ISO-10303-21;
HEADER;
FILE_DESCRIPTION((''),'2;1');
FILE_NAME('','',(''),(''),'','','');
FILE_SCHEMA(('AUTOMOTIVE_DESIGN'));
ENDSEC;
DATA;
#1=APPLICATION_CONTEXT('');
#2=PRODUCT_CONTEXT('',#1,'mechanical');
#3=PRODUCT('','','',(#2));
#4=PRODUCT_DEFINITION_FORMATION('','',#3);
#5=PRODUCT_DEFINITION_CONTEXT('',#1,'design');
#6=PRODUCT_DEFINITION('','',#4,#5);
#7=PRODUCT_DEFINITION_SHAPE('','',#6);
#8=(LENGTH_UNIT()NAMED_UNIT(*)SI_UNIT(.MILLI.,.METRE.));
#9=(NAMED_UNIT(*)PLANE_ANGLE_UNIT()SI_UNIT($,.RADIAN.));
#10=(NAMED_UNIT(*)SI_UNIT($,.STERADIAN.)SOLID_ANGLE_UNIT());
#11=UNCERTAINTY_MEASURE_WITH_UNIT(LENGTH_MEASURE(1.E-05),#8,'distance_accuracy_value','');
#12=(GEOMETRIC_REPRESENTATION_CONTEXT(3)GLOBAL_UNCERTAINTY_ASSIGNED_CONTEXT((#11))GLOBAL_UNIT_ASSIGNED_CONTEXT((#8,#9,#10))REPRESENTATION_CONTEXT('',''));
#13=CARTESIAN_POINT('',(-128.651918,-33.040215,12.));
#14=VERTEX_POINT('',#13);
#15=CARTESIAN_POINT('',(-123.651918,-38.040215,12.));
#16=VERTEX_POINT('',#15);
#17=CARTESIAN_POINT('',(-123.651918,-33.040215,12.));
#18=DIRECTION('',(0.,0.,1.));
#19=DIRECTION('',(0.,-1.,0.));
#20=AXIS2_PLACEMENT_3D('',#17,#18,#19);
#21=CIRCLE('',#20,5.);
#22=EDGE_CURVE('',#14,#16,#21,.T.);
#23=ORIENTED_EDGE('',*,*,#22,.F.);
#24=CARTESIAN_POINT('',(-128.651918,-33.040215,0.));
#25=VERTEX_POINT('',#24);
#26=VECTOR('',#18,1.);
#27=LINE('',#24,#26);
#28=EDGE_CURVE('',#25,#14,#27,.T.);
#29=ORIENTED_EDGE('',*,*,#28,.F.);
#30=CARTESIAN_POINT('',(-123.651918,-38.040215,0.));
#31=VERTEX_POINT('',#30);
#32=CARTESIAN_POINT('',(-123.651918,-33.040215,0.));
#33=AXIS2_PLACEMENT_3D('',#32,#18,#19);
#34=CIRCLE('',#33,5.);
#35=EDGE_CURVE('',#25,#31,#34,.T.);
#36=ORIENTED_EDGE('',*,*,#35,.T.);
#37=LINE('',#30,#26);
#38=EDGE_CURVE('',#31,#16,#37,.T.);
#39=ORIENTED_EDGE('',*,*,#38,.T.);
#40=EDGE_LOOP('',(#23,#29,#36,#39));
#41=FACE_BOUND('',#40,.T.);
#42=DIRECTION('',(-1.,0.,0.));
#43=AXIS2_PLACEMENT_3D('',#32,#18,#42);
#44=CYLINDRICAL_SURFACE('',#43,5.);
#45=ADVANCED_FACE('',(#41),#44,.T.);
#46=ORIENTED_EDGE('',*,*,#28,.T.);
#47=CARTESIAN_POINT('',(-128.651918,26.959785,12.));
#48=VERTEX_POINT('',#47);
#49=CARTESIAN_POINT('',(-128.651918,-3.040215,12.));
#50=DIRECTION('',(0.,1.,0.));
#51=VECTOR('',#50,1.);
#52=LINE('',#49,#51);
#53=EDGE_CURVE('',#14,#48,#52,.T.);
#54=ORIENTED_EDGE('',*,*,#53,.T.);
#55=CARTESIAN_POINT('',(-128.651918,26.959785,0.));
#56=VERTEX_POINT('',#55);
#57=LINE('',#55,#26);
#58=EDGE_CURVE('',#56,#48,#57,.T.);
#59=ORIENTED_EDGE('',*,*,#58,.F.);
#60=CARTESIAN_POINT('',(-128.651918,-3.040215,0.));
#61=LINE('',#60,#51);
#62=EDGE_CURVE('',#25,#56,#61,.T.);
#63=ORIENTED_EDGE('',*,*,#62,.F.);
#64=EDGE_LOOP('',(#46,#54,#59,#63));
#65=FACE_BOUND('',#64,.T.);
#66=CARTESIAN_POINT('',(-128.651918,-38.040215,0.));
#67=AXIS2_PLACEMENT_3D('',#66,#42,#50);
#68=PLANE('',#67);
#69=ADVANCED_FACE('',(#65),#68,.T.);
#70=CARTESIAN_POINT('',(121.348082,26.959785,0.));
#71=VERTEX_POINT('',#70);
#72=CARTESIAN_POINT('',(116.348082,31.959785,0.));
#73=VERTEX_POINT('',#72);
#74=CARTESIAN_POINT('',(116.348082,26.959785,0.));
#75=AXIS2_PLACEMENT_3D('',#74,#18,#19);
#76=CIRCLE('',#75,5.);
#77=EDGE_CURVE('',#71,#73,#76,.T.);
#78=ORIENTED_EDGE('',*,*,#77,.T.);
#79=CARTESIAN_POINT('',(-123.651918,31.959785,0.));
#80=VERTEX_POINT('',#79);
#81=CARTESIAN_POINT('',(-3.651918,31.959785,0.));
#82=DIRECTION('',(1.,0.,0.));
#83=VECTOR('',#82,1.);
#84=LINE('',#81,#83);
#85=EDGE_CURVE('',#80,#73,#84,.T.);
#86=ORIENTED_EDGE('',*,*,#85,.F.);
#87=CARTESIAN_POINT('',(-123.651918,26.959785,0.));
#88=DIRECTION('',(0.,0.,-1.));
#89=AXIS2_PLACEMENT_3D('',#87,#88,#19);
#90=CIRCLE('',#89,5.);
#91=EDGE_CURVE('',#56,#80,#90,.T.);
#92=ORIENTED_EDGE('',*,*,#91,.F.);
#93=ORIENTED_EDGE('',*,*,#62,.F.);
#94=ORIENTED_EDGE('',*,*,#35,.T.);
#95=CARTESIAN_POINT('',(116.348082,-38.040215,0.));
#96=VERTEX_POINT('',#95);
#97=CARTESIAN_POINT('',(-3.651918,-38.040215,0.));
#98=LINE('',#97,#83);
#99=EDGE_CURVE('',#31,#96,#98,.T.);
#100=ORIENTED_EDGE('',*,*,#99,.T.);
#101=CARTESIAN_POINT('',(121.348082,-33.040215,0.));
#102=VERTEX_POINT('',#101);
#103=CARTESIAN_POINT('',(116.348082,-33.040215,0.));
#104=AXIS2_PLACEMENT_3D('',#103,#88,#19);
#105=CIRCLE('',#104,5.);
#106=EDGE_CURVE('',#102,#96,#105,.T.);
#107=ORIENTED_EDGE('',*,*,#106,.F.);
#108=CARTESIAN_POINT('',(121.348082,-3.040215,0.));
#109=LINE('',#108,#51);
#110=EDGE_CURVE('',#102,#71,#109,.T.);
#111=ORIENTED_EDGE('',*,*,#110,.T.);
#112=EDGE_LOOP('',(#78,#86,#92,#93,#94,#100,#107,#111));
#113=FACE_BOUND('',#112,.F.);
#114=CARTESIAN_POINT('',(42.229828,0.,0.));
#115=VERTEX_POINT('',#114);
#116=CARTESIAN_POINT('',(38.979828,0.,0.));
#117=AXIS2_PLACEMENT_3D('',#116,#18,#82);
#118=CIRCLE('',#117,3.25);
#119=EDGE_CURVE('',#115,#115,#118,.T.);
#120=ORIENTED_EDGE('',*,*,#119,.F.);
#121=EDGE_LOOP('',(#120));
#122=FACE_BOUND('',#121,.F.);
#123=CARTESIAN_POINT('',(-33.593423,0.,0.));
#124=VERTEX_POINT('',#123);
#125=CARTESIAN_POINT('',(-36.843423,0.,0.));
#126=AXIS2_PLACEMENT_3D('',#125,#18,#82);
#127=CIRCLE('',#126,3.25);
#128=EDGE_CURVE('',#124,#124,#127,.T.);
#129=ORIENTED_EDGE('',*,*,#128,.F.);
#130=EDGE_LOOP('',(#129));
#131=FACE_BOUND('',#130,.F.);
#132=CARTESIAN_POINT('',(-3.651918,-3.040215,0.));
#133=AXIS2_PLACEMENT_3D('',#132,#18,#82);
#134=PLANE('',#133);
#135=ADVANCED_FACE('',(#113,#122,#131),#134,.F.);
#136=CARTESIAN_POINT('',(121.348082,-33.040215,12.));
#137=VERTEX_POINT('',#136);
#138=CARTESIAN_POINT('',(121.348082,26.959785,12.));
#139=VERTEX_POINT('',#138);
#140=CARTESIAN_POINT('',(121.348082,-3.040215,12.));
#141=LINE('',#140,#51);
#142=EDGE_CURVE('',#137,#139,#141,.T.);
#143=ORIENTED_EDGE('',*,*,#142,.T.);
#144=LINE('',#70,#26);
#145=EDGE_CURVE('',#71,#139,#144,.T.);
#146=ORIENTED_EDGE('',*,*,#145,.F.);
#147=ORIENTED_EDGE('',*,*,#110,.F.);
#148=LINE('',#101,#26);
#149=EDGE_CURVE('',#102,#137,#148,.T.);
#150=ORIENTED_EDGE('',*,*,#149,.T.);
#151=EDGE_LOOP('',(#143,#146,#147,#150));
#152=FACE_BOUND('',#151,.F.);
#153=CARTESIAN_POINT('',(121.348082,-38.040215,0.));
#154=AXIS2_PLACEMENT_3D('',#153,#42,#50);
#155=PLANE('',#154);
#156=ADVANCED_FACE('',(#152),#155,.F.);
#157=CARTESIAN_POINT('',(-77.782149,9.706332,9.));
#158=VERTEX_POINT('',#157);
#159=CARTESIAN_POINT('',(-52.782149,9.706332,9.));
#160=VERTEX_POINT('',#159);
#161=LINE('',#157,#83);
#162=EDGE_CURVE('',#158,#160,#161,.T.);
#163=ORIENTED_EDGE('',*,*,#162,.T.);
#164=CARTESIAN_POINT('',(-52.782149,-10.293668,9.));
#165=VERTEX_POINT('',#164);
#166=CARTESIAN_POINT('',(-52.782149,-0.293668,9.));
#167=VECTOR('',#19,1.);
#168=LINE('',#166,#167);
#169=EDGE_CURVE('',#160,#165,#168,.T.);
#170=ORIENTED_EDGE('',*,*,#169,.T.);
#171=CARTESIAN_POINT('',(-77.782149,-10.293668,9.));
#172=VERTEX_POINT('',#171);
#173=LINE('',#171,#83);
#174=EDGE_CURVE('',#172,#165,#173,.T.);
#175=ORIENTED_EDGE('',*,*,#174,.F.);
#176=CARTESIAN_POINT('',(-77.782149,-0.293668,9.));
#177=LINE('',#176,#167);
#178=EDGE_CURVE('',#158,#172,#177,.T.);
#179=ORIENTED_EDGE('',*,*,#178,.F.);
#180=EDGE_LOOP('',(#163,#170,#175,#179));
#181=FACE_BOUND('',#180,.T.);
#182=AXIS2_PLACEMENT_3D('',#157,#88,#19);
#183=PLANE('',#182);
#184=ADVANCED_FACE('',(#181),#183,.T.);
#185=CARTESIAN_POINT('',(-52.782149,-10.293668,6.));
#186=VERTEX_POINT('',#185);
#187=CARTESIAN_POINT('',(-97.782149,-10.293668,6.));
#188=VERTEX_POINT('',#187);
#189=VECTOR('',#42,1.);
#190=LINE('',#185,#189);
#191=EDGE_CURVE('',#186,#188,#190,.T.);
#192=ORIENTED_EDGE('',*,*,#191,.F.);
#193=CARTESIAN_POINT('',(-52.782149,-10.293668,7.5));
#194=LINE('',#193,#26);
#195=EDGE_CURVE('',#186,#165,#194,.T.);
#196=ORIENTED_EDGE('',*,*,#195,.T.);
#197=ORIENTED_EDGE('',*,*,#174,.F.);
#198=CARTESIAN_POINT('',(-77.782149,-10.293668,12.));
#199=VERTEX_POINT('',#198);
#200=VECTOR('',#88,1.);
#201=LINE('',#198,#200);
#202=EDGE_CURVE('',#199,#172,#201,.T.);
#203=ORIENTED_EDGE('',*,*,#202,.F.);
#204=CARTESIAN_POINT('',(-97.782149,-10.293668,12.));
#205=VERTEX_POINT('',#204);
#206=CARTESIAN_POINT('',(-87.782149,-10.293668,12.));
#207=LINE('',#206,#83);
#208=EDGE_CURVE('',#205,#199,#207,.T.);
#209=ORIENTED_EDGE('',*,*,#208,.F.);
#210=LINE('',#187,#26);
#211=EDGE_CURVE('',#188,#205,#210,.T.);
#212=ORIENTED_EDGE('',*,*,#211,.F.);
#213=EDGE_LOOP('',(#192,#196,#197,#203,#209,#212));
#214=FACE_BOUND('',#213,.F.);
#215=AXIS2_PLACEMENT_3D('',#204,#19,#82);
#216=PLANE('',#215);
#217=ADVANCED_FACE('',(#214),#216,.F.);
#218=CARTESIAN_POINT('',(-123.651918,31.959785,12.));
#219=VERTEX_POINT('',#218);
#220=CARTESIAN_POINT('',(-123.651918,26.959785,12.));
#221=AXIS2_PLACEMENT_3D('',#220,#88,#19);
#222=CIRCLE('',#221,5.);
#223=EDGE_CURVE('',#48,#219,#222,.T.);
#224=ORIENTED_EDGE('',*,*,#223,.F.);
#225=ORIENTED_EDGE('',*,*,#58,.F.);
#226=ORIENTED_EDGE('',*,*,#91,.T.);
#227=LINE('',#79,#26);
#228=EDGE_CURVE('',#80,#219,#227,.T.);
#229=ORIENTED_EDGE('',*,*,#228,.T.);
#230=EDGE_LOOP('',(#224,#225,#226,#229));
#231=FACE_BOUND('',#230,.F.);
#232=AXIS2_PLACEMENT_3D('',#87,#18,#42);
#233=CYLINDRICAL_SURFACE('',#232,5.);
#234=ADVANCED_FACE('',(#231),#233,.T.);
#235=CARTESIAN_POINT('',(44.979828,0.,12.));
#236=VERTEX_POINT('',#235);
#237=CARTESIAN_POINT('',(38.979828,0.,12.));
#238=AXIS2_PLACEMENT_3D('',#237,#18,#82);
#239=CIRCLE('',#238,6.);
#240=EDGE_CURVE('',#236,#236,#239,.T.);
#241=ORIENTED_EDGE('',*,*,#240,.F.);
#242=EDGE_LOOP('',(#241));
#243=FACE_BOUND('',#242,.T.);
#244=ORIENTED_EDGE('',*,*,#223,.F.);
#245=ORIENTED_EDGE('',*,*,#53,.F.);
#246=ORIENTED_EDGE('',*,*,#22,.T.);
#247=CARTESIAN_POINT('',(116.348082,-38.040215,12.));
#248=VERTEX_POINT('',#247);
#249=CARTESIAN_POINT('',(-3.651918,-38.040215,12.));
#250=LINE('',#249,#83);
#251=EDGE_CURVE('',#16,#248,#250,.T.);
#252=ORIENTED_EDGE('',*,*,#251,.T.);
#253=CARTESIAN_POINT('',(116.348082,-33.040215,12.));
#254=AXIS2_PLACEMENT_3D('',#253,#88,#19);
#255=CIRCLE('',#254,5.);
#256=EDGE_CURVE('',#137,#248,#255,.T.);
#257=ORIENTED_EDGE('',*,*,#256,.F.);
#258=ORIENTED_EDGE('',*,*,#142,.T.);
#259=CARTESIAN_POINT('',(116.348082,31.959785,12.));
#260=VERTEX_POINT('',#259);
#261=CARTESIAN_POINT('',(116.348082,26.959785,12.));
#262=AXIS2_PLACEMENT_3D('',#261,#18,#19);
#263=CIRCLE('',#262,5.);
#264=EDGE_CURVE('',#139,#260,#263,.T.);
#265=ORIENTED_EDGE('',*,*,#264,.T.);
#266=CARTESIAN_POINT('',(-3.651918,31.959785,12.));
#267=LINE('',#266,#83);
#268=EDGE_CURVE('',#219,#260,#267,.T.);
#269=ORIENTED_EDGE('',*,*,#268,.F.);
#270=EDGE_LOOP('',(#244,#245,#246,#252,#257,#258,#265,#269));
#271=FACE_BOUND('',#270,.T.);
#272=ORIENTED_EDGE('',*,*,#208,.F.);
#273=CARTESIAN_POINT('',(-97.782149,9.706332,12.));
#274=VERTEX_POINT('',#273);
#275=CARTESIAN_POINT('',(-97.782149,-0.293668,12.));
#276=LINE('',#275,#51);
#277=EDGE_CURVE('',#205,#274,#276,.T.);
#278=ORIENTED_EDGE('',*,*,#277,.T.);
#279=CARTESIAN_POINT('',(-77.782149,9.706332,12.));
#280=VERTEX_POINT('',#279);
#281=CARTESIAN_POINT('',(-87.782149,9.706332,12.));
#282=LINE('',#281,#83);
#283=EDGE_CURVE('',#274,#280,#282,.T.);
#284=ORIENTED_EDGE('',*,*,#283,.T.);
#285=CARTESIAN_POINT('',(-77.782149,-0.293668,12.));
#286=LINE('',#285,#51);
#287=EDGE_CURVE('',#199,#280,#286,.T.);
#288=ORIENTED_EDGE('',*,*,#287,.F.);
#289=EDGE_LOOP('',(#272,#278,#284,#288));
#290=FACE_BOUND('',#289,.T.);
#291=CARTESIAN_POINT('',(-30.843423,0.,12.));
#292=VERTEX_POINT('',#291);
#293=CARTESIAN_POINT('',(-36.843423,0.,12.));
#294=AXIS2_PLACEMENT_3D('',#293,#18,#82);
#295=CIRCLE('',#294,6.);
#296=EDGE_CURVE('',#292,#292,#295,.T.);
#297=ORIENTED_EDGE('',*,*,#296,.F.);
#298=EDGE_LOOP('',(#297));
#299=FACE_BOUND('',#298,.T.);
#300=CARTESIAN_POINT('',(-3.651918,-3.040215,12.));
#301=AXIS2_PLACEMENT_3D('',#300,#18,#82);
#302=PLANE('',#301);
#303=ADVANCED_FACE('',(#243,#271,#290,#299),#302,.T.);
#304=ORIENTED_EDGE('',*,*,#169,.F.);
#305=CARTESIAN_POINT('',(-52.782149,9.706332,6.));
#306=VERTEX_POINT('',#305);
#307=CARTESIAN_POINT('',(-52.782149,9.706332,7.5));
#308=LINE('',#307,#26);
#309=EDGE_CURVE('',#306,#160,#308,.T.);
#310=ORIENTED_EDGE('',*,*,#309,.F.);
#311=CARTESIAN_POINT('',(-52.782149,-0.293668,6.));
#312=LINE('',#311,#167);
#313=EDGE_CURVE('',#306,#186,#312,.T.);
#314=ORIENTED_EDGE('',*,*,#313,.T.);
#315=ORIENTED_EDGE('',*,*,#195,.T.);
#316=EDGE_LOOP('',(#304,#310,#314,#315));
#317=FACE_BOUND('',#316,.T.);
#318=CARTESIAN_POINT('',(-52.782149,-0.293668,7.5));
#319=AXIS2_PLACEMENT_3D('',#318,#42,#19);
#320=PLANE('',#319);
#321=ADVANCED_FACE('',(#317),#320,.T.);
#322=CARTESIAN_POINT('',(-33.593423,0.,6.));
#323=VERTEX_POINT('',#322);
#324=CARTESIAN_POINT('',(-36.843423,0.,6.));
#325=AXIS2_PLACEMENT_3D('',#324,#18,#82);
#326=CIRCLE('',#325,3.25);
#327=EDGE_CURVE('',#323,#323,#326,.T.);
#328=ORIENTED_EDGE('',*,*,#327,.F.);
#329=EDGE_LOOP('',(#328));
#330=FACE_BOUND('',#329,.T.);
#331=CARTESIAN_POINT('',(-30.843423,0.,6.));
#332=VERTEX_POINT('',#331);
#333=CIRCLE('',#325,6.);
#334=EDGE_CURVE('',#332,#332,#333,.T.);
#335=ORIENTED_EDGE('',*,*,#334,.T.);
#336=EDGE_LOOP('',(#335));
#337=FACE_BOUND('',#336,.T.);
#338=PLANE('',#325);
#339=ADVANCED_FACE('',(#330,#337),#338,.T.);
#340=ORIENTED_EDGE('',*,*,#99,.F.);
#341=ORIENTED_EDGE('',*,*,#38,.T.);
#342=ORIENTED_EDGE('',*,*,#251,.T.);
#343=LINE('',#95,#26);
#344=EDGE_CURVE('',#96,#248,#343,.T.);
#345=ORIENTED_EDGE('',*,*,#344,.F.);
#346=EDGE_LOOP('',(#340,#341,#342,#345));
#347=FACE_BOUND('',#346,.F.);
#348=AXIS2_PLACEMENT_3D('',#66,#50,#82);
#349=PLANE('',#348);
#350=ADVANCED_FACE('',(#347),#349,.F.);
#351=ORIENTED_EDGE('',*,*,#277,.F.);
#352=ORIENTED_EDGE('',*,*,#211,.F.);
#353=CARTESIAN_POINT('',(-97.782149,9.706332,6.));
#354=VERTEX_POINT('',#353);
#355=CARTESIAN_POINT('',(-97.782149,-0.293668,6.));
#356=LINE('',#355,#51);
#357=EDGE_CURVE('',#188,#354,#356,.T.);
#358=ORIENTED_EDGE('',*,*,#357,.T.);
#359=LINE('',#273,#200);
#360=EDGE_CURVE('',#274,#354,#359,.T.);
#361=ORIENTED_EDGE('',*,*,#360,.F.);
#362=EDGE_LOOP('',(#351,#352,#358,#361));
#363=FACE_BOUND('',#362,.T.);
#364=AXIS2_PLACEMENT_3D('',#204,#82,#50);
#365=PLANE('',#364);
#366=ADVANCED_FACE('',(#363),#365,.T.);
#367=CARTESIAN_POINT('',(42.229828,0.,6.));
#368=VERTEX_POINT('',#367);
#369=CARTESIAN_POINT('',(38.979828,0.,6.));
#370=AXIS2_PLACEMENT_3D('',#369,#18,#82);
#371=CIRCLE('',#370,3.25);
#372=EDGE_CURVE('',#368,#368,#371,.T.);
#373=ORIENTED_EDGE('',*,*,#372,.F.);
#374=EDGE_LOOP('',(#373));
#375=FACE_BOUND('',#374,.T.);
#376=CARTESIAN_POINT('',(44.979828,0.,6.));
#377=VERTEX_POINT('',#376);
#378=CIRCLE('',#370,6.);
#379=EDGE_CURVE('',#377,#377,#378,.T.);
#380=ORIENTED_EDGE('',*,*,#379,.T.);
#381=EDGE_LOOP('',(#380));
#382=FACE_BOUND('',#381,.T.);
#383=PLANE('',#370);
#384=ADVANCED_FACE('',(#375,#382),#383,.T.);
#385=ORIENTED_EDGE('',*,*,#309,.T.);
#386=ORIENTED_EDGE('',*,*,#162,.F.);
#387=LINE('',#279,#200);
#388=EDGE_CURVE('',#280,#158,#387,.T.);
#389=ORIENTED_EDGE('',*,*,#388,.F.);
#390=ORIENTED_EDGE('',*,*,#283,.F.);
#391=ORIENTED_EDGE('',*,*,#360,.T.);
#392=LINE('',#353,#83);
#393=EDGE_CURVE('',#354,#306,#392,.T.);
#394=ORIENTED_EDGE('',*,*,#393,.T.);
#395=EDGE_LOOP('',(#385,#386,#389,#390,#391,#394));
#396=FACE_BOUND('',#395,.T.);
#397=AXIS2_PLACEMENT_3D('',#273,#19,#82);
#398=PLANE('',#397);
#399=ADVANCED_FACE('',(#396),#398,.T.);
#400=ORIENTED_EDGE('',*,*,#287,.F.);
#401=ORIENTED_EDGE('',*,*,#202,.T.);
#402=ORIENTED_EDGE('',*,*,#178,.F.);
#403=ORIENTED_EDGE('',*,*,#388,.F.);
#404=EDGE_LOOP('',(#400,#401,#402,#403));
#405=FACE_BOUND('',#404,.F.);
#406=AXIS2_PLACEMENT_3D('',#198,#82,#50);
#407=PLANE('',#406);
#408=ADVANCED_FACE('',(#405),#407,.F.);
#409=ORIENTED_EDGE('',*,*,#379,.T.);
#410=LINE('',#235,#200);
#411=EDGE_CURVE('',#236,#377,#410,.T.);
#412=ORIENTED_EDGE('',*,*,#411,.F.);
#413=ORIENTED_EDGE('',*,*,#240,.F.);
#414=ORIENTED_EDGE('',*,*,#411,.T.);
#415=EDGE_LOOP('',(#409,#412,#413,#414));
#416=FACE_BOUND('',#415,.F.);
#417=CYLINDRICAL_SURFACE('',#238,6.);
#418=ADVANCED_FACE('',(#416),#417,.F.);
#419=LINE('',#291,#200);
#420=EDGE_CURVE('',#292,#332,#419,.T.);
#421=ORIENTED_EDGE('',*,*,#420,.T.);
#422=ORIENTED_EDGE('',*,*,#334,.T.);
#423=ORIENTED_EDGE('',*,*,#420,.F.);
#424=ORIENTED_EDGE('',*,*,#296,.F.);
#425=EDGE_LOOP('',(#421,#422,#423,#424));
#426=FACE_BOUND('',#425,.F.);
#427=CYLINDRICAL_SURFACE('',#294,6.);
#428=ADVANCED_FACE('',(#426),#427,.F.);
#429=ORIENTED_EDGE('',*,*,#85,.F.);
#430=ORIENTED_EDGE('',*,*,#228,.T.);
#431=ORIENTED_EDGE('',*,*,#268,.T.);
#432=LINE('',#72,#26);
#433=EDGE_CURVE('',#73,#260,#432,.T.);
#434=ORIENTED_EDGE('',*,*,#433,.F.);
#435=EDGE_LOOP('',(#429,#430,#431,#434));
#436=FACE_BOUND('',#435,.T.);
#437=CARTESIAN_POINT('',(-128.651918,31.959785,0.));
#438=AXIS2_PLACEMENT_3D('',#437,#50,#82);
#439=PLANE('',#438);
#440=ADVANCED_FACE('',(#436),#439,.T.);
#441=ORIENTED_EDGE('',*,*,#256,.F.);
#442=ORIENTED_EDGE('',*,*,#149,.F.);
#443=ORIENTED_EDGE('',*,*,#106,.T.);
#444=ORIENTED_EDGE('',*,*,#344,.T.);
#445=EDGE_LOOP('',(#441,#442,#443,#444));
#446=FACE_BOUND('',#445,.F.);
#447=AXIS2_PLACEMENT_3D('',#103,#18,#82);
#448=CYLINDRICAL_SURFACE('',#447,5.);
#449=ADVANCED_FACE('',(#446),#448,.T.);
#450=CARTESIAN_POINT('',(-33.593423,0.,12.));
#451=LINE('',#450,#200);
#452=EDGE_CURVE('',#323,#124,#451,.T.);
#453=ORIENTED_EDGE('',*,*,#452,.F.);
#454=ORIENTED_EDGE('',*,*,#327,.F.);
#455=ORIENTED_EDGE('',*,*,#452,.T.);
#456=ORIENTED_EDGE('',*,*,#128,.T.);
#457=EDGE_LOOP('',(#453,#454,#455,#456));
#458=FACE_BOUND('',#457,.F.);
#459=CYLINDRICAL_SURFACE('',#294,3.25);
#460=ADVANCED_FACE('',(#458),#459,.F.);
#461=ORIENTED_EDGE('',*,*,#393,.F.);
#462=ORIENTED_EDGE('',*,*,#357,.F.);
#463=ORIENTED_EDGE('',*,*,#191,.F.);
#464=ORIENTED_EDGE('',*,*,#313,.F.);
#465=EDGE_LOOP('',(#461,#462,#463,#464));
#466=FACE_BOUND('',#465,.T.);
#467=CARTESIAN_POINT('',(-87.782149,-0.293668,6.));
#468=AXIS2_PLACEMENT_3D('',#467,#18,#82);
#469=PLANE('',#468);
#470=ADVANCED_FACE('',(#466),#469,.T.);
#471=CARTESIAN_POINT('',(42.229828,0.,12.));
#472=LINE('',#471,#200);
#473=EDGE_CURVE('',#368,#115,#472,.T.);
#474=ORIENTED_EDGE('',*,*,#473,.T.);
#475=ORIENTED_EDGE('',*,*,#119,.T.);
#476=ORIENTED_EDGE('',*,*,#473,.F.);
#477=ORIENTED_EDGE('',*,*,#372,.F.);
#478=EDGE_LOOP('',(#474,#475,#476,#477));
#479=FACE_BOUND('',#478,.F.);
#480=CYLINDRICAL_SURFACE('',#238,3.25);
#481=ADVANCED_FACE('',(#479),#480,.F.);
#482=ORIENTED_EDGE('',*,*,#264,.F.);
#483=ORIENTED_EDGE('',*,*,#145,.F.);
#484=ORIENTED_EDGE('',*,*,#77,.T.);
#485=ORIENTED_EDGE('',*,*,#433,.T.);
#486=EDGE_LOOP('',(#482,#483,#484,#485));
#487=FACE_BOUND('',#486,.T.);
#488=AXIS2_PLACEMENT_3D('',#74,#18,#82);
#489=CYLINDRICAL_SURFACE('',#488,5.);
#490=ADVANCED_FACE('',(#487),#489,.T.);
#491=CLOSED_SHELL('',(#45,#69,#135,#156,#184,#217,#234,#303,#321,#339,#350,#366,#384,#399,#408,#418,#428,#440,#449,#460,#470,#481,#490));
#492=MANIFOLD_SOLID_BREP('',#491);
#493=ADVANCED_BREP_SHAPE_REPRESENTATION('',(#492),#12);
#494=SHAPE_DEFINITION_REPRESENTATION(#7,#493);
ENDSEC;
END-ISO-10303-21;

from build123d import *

# Parameters (mm, degrees)
F0_W          = 250
F0_H          = 70
F1_DEPTH      = 12
F2_R          = 3.25
F3_DEPTH      = 25
F4_R          = 6
F5_DEPTH      = 6
F6_W          = 20
F6_H          = 20
F7_DEPTH      = 6
F8_W          = 20
F8_H          = 3
F9_DEPTH      = 20
F9_DEPTH_BACK = 25
F10_R         = 5


with BuildPart() as f1:
    # F0 (on Top) → F1 (new body)
    with BuildSketch(Plane.XY):
        with Locations((-3.651918, -3.040215)):
            Rectangle(F0_W, F0_H)
    extrude(amount=F1_DEPTH)

    # F2 (on face) → F3 (cut)
    with BuildSketch(Plane.XY.offset(12)):
        with Locations((-36.843423, 0)):
            Circle(F2_R)
        with Locations((38.979828, 0)):
            Circle(F2_R)
    extrude(amount=-F3_DEPTH, mode=Mode.SUBTRACT)

    # F4 (on face) → F5 (cut)
    with BuildSketch(Plane.XY.offset(12)):
        with Locations((-36.843423, 0)):
            Circle(F4_R)
        with Locations((38.979828, 0)):
            Circle(F4_R)
    extrude(amount=-F5_DEPTH, mode=Mode.SUBTRACT)

    # F6 (on face) → F7 (cut)
    with BuildSketch(Plane.XY.offset(12)):
        with Locations((-87.782149, -0.293668)):
            Rectangle(F6_W, F6_H)
    extrude(amount=-F7_DEPTH, mode=Mode.SUBTRACT)

    # F8 (on face) → F9 (cut, two sides)
    with BuildSketch(Plane(origin=(-77.782149, 0, 0), x_dir=(0, -1, 0), z_dir=(-1, 0, 0))) as f9_sk:
        with Locations((0.293668, 7.5)):
            Rectangle(F8_W, F8_H)
    extrude(amount=F9_DEPTH, mode=Mode.SUBTRACT)
    extrude(f9_sk.sketch, amount=-F9_DEPTH_BACK, mode=Mode.SUBTRACT)

    # F10
    f10_edges = [f1.edges().sort_by_distance(p)[0] for p in [
        (-128.651918, -38.040215, 6),
        (-128.651918, 31.959785, 6),
        (121.348082, -38.040215, 6),
        (121.348082, 31.959785, 6),
    ]]
    fillet(f10_edges, radius=F10_R)


solid = f1.part
